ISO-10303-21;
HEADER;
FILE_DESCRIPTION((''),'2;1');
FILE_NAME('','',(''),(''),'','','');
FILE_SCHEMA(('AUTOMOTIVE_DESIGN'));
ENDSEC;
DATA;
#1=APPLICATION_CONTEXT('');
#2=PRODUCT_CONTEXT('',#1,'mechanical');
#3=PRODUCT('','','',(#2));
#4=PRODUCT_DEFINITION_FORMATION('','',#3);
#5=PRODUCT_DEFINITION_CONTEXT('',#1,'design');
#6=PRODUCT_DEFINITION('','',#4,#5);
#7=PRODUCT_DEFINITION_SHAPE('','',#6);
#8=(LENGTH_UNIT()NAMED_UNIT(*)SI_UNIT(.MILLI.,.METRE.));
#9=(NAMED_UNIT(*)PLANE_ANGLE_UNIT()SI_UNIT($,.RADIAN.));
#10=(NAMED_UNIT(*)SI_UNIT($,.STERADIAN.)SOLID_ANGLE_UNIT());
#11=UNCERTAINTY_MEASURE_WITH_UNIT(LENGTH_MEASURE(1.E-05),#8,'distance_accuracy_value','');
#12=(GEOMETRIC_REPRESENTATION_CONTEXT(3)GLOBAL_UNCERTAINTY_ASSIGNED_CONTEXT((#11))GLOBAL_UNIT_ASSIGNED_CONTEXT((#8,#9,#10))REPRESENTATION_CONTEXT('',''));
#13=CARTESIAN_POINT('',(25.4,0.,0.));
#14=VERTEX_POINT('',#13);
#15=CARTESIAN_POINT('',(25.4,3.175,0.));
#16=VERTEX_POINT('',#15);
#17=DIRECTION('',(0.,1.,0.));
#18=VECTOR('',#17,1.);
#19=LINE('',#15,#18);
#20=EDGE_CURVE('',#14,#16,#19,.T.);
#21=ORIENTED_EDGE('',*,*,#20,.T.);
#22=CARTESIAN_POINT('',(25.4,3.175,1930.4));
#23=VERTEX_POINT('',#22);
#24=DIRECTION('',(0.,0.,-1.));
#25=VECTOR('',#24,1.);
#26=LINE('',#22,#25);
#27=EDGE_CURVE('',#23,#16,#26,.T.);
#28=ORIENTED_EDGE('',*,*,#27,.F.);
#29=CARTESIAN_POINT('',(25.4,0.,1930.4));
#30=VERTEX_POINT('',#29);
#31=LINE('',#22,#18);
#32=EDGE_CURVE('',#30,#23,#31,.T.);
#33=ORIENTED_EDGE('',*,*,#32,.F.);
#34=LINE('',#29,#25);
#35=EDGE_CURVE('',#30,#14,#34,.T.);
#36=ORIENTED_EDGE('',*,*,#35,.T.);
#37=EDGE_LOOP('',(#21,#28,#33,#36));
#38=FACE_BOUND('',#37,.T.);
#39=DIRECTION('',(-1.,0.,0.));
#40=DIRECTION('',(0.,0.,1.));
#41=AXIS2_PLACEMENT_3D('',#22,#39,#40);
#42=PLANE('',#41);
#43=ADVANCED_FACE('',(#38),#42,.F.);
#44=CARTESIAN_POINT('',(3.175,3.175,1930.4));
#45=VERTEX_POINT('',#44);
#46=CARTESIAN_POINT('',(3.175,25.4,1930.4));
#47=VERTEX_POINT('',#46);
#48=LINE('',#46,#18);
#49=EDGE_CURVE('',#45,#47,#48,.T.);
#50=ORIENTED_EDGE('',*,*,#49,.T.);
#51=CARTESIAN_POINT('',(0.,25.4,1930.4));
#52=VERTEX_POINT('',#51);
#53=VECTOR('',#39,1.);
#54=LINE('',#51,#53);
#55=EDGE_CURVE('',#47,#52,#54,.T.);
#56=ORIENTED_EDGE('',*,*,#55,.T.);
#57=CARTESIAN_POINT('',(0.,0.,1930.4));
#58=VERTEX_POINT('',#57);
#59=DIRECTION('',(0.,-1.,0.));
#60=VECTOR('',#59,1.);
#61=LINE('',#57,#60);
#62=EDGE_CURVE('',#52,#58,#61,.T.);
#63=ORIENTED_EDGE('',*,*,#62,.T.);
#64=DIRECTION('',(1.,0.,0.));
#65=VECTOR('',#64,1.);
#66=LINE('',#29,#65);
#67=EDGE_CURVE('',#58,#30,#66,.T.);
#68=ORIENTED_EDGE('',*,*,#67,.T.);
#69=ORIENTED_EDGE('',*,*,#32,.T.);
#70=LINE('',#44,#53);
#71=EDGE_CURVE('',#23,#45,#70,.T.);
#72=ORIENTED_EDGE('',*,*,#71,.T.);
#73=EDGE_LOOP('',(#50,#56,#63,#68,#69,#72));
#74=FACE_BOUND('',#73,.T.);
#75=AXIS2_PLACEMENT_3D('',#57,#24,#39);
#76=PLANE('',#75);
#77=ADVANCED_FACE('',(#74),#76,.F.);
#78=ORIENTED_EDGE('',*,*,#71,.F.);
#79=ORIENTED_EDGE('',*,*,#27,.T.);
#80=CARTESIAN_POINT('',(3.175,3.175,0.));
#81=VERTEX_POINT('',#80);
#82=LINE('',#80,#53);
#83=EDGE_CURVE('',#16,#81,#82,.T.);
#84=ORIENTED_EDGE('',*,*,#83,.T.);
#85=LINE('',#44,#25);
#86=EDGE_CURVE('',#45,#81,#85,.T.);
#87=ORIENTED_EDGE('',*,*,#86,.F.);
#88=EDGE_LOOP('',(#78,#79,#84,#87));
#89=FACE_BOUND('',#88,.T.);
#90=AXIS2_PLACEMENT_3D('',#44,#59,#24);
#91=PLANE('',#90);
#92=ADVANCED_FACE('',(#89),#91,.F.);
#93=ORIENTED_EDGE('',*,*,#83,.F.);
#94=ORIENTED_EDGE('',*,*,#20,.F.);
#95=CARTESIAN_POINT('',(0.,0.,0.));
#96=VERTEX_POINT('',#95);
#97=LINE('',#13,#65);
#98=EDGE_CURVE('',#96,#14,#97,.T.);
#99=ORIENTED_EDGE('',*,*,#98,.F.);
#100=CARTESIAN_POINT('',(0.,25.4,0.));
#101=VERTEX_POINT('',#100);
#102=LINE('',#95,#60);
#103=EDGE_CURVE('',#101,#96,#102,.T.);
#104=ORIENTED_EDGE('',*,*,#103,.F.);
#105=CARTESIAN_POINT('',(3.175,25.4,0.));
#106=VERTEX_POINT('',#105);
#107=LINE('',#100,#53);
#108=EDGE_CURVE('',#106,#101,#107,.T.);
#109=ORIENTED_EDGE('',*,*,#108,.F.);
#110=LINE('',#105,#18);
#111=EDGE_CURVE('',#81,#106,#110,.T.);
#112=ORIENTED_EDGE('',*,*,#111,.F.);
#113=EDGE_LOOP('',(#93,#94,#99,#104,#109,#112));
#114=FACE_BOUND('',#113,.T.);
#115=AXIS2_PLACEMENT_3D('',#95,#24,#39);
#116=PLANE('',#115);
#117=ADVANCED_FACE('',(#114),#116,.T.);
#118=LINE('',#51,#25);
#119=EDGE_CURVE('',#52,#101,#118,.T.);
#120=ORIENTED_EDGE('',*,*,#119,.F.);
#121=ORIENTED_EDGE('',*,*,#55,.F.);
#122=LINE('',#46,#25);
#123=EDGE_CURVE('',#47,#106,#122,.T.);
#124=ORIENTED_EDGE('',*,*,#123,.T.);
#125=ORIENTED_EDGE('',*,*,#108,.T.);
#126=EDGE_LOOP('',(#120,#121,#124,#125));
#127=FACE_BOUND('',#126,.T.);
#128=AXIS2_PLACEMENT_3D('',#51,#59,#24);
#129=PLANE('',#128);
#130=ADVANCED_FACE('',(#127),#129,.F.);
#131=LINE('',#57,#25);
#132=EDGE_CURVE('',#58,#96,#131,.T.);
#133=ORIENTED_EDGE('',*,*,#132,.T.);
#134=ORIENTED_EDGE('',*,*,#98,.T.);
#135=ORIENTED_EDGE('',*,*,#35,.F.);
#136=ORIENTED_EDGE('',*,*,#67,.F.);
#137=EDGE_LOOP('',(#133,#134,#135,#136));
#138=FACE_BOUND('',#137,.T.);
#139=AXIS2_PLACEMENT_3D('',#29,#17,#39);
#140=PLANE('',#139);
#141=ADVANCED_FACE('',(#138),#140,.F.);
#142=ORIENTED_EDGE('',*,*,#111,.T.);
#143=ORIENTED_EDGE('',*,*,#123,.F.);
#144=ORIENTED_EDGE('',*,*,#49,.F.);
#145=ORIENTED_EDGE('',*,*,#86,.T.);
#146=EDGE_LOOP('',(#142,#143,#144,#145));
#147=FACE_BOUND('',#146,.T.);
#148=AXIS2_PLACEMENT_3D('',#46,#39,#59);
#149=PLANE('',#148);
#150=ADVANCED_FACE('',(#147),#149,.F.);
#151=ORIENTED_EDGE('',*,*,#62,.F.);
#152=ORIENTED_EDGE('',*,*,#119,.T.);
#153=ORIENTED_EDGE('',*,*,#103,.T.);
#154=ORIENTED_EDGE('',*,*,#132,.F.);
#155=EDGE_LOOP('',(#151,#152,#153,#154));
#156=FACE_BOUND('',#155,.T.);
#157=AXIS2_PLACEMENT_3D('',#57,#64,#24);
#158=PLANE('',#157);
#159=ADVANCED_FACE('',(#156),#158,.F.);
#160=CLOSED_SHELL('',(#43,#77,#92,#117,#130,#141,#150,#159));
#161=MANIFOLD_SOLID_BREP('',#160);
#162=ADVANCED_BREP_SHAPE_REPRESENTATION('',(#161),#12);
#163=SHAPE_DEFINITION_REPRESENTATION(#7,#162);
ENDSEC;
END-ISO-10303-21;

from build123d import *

# Parameters (mm, degrees)
BOSS_EXTRUDE1_DEPTH = 1930.4


with BuildPart() as part:
    # Sketch1 → Boss-Extrude1 (new body)
    with BuildSketch(Plane.XY):
        Polygon((0, 0), (0, 25.4), (3.175, 25.4), (3.175, 3.175), (25.4, 3.175), (25.4, 0), align=None)
    extrude(amount=BOSS_EXTRUDE1_DEPTH)


solid = part.part
